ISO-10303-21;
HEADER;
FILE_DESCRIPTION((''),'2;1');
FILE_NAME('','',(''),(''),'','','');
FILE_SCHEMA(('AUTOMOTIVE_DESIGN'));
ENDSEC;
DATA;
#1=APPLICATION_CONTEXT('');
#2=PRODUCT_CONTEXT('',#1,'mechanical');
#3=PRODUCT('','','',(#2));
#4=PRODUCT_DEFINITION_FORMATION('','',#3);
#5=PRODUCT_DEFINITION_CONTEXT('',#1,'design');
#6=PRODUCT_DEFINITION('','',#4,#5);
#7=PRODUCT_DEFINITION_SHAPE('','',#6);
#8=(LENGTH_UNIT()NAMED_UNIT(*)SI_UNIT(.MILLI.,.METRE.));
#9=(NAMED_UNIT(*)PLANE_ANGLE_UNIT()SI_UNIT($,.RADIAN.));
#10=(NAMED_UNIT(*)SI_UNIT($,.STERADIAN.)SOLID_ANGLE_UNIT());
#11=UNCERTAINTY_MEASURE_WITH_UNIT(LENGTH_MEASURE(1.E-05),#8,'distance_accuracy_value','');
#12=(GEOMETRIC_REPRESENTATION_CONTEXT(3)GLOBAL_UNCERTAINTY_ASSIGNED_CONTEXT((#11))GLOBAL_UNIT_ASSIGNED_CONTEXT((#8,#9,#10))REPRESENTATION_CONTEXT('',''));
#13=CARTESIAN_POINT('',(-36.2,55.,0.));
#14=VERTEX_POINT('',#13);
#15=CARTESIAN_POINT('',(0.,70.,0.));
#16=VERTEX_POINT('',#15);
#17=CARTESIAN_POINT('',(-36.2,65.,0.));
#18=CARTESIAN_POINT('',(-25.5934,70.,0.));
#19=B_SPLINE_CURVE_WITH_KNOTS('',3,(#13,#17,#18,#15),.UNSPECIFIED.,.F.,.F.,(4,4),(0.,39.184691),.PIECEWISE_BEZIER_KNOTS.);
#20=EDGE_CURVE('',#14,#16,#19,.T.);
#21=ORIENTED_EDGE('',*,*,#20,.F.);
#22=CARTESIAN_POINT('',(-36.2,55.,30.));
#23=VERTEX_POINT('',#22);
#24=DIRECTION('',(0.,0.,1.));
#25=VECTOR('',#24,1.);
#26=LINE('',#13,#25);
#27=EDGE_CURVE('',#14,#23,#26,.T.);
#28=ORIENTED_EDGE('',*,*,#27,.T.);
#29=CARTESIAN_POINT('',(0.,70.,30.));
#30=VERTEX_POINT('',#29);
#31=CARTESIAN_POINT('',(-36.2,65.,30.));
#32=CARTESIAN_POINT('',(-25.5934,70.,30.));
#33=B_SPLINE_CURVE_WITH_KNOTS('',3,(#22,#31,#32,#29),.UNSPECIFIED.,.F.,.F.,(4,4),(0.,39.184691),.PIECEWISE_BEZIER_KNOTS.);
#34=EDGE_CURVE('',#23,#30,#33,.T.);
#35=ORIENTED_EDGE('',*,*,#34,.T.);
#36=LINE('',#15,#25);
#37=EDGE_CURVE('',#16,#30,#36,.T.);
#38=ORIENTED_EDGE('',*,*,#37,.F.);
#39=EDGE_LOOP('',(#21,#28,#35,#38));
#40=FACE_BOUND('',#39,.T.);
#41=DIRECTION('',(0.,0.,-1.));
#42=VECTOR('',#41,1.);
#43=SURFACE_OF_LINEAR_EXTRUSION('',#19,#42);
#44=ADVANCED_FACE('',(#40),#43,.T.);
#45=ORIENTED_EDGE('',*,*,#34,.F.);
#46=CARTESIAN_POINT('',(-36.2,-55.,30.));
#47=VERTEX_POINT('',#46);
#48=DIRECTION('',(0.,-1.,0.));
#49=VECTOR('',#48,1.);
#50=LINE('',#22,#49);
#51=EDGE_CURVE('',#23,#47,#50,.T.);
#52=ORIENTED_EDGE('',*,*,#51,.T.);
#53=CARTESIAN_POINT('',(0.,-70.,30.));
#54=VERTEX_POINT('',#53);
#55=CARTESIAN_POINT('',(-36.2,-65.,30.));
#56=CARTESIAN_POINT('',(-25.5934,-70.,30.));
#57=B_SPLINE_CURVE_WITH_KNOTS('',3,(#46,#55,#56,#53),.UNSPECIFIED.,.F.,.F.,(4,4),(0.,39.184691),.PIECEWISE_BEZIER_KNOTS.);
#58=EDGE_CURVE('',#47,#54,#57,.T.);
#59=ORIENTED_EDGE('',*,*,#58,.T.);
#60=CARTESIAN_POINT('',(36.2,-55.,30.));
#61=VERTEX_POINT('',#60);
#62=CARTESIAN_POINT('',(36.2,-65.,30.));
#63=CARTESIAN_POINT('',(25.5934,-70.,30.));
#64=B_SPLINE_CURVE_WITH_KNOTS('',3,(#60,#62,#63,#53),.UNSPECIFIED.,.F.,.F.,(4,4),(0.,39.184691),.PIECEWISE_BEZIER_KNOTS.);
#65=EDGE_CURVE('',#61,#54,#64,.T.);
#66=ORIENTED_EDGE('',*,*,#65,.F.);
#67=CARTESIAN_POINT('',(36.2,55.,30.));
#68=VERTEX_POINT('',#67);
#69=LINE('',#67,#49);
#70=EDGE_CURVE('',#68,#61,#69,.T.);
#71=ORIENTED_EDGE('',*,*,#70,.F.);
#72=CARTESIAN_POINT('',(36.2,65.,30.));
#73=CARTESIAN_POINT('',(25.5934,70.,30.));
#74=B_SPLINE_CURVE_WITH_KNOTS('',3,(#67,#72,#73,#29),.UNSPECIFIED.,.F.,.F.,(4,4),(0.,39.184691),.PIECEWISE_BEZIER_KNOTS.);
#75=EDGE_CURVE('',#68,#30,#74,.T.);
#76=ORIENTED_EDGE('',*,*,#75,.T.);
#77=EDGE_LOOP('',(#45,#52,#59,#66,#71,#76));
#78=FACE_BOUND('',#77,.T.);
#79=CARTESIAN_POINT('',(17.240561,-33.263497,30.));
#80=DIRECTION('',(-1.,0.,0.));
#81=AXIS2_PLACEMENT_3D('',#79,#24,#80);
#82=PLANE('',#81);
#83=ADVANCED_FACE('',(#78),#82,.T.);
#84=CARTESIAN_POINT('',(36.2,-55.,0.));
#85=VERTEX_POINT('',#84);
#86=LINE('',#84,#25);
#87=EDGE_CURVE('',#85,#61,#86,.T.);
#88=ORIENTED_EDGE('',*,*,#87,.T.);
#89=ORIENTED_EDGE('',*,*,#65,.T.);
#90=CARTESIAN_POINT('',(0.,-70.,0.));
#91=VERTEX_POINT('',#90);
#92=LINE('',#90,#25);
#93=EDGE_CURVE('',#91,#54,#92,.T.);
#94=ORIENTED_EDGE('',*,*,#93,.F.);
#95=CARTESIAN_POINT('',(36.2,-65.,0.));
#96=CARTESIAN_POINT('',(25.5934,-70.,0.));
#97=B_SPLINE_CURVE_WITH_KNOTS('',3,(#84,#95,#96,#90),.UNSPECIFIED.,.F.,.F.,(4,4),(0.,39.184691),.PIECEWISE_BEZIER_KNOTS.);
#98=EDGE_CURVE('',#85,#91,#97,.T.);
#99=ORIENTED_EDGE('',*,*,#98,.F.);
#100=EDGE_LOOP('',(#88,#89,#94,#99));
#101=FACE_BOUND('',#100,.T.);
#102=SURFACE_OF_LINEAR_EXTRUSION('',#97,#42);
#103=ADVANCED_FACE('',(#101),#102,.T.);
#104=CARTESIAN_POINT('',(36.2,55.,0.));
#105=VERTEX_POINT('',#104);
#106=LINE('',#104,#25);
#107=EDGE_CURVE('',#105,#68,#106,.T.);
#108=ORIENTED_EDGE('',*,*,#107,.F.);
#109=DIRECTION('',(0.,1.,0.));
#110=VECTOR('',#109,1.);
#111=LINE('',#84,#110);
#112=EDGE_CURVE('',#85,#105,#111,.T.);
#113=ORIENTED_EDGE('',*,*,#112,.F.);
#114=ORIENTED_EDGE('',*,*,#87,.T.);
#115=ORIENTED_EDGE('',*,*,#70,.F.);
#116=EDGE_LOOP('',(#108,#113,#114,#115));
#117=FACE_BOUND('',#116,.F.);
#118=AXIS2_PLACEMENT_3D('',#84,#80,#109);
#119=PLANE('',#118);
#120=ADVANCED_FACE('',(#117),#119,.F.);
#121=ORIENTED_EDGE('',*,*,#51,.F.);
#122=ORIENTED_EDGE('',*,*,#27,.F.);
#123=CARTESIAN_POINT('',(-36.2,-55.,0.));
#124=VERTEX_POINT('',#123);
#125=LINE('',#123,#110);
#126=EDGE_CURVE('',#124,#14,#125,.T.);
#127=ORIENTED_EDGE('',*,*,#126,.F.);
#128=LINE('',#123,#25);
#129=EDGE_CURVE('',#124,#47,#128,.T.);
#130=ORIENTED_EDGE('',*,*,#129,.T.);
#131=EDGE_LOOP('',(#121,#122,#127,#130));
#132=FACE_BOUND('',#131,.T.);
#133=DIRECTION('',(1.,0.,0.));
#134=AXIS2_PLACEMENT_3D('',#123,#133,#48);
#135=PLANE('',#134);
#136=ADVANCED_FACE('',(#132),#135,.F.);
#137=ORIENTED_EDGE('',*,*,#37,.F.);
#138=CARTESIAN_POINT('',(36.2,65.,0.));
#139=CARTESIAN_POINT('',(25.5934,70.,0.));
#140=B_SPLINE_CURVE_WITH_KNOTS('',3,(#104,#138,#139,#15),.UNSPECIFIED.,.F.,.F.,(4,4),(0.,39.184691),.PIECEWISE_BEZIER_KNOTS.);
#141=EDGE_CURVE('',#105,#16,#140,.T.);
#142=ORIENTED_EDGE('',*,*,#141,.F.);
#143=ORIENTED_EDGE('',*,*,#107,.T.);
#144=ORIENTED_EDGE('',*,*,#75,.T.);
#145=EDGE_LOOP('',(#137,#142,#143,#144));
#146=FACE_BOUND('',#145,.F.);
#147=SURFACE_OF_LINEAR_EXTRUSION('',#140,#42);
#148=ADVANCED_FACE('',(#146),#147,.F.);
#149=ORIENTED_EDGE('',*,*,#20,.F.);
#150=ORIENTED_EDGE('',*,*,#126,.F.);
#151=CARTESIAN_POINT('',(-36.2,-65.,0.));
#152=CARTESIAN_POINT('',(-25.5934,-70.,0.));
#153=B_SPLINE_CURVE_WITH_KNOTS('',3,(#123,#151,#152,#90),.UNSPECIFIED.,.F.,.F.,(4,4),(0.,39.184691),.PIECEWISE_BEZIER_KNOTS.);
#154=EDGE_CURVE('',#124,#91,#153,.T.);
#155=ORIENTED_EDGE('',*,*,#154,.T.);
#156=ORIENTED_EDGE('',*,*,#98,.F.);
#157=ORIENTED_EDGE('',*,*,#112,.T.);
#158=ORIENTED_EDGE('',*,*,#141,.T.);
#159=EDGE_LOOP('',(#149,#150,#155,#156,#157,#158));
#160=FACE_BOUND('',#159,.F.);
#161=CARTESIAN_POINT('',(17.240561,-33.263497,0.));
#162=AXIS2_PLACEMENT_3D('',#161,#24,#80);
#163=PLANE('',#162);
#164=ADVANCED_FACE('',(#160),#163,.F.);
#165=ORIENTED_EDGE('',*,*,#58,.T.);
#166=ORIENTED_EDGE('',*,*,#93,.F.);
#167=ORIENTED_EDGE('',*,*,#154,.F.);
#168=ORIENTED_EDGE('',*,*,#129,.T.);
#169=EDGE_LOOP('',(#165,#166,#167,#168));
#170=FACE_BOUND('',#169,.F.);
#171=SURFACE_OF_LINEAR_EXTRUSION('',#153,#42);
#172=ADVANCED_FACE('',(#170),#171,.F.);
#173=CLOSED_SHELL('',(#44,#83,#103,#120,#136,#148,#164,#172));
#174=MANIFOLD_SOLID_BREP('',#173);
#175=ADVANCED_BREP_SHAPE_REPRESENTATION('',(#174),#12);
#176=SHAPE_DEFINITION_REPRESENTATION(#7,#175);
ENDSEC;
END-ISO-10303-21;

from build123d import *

# Parameters (mm, degrees)
F1_DEPTH = 30


with BuildPart() as f1:
    # F0 (on Top) → F1 (new body)
    with BuildSketch(Plane.XY):
        with BuildLine():
            Line((-36.2, 55), (-36.2, 0))
            Line((-36.2, 0), (0, 0))
            Line((0, 0), (0, 70))
            add(Edge.make_bspline(
                [(-36.2, 55), (-36.2, 65), (-25.5934, 70), (0, 70)],
                knots=[0, 0, 0, 0, 39.184691, 39.184691, 39.184691, 39.184691], degree=3))
        make_face()
    extrude(amount=F1_DEPTH)

    # F2: F1 across plane


with BuildPart() as f1_1:
    add(f1.part)
    add(f1.part.mirror(Plane.YZ))

    # F3: F1 across plane


with BuildPart() as f1_2:
    add(f1_1.part)
    add(f1_1.part.mirror(Plane.XZ))


solid = f1_2.part
